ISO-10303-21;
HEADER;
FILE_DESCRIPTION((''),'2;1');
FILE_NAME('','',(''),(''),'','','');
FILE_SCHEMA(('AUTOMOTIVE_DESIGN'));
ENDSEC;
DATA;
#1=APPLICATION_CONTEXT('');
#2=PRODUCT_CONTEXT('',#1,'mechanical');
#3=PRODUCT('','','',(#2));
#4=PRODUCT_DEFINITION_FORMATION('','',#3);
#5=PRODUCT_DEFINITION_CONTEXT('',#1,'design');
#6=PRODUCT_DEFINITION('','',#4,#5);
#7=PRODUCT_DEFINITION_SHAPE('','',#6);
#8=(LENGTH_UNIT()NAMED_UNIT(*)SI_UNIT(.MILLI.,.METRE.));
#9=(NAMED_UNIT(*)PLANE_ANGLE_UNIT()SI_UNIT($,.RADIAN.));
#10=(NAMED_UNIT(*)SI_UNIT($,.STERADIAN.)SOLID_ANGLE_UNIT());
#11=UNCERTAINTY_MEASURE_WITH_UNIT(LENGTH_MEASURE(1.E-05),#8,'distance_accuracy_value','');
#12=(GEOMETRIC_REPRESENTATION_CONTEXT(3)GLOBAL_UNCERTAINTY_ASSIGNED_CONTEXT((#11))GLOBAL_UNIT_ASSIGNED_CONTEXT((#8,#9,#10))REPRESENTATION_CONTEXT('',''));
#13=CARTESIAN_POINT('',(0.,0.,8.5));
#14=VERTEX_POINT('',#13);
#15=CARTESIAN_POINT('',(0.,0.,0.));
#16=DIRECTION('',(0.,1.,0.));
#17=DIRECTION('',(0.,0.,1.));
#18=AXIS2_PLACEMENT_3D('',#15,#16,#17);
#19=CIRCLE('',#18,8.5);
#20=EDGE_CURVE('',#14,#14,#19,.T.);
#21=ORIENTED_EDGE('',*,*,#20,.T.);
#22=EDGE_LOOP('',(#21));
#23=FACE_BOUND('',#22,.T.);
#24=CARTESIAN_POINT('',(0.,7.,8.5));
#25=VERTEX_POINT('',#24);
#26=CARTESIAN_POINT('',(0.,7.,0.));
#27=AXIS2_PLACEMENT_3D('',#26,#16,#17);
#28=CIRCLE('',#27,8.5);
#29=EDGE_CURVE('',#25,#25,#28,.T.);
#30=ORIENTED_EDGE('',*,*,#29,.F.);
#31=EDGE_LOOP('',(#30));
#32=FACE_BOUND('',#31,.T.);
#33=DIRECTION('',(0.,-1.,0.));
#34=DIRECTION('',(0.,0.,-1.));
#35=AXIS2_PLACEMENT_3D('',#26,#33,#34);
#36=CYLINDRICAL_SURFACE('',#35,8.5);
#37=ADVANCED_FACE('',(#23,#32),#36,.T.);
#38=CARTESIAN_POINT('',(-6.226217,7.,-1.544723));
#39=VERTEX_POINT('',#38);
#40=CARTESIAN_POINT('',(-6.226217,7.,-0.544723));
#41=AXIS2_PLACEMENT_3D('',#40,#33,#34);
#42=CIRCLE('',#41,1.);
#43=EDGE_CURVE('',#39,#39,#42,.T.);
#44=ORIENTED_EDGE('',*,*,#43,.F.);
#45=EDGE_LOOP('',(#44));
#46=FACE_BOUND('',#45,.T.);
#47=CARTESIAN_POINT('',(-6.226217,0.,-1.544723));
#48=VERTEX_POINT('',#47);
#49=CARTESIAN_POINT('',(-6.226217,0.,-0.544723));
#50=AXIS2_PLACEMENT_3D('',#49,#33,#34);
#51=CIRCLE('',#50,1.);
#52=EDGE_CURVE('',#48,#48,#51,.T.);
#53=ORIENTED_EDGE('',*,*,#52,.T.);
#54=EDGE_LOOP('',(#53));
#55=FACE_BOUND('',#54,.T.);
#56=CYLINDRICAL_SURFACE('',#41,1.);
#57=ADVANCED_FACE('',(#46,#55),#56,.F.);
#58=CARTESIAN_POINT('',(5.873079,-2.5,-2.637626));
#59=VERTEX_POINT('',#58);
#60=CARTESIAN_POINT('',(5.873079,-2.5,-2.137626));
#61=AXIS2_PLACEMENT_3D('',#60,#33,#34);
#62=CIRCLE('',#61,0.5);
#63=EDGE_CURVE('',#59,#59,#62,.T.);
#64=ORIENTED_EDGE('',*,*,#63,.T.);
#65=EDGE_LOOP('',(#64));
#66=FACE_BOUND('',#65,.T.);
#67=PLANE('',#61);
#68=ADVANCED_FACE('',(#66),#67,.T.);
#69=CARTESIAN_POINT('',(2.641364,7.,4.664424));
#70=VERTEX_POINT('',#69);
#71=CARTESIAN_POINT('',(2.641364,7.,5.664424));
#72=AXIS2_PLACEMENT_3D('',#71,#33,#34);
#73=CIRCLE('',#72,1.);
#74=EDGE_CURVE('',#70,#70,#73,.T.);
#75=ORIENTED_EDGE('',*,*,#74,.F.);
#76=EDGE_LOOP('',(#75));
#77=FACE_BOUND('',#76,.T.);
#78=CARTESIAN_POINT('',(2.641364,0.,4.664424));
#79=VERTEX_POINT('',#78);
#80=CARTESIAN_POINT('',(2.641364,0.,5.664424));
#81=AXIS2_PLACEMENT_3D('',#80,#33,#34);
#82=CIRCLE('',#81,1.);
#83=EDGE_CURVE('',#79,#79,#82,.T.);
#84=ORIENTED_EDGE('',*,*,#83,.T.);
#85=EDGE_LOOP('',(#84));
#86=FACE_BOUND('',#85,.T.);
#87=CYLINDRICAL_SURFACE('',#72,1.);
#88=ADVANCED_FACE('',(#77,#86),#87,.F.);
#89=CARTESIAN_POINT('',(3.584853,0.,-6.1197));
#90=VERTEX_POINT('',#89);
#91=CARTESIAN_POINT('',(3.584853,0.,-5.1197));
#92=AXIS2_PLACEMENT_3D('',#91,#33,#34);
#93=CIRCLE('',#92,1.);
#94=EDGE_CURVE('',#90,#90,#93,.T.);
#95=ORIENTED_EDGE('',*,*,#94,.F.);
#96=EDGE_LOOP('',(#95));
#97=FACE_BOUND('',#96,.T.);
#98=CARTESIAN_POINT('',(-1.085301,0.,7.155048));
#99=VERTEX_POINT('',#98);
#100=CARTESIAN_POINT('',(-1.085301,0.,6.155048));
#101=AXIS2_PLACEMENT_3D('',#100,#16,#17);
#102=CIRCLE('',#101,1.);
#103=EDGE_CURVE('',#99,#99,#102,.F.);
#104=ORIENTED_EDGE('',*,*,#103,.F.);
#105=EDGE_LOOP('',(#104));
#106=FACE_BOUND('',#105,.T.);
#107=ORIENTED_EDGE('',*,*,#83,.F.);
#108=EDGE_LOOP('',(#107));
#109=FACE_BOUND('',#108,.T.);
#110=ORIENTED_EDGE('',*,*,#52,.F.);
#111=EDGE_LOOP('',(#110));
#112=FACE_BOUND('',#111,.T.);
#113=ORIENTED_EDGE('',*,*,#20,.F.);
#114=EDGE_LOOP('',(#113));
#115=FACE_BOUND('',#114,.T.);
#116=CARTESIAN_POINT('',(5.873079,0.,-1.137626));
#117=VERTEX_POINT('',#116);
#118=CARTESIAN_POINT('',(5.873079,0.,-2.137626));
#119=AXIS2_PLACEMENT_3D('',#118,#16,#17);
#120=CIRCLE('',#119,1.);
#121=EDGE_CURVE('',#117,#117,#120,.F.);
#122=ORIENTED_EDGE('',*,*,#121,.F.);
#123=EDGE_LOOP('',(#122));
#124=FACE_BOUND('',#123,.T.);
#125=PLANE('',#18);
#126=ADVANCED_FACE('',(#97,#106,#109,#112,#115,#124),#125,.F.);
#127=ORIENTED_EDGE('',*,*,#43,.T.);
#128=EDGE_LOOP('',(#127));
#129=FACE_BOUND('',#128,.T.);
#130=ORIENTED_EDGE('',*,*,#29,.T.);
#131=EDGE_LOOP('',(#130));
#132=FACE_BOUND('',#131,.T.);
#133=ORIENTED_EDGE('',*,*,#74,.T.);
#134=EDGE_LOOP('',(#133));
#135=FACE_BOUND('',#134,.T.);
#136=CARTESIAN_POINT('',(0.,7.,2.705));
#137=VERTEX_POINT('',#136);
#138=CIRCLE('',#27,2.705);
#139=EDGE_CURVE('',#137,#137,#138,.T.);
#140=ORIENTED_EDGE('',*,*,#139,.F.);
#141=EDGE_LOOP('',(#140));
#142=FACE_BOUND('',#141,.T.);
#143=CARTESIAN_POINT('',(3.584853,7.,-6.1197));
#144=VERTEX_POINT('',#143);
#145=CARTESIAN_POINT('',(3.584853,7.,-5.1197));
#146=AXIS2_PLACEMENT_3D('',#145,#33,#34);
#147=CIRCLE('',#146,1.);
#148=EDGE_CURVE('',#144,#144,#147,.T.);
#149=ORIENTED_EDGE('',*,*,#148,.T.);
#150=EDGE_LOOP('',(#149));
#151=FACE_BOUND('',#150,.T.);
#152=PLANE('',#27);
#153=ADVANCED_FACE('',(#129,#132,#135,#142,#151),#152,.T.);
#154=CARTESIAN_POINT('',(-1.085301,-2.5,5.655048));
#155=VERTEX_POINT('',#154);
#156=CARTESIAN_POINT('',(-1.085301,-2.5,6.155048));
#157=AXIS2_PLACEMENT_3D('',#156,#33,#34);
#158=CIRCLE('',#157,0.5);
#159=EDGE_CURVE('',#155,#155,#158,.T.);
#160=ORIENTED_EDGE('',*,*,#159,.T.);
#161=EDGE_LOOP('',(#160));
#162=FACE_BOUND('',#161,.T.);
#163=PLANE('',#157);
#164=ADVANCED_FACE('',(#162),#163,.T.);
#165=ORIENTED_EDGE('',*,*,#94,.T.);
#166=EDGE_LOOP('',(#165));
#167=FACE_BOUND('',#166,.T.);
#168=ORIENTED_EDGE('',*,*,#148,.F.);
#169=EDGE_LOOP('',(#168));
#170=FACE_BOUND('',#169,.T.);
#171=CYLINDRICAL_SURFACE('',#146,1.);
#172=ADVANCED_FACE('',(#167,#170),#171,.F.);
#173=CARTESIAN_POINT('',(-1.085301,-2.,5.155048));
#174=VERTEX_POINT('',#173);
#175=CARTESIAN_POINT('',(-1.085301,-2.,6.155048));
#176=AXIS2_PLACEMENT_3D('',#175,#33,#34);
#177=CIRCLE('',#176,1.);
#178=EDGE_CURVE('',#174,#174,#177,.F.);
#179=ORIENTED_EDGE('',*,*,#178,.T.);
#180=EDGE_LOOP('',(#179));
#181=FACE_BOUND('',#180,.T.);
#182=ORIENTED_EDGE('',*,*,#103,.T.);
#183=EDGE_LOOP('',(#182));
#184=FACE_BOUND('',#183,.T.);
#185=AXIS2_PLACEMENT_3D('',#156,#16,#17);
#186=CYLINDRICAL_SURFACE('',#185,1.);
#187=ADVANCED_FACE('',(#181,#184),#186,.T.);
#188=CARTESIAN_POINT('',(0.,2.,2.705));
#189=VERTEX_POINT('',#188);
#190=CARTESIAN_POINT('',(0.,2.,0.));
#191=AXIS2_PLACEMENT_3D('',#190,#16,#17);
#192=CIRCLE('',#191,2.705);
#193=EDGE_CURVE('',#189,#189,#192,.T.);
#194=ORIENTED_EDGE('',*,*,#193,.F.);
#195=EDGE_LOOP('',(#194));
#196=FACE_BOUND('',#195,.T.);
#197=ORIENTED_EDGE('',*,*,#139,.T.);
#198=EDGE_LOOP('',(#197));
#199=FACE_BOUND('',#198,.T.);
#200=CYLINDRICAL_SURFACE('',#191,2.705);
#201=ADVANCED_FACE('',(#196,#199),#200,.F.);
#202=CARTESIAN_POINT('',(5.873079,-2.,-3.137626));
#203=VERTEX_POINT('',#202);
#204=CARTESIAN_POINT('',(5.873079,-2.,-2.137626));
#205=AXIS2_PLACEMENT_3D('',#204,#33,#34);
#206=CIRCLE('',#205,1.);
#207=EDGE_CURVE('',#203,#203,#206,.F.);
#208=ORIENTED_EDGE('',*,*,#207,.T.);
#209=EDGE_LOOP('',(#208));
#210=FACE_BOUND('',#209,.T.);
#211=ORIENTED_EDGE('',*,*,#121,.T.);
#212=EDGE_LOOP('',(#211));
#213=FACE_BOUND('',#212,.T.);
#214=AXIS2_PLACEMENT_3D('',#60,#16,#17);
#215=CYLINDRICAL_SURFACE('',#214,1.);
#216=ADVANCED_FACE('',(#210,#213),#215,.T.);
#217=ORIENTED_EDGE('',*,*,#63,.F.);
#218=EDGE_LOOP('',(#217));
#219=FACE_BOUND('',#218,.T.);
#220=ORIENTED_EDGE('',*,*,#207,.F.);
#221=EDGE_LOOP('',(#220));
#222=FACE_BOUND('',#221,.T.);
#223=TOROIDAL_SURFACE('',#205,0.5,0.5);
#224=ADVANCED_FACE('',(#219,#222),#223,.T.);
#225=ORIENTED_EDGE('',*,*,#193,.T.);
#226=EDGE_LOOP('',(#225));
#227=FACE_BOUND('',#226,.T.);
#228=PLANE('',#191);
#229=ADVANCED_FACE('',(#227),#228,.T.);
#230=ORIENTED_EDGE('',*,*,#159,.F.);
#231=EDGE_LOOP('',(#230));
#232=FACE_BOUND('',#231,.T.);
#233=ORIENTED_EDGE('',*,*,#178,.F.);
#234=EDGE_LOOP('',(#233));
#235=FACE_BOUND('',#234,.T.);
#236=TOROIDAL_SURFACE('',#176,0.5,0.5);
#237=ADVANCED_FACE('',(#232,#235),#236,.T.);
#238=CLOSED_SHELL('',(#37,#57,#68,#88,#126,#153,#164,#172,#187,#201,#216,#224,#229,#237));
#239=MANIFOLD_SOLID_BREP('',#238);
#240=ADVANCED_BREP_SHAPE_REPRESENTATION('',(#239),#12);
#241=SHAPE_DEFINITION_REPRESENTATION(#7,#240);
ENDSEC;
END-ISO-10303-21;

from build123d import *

# Parameters (mm, degrees)
SKETCH1_R           = 8.5
CYLINDER_DEPTH      = 7
SKETCH2_R           = 2.705
LUER_HOLE_DEPTH     = 5
SKETCH3_R           = 1
DOWEL_PINS_DEPTH    = 2.5
SKETCH4_R           = 1
SCREW_HOLES_DEPTH   = 14.910427743
FILLET_DOWEL_PINS_R = 0.5


with BuildPart() as part:
    # Sketch1 → Cylinder (new body)
    with BuildSketch(Plane(origin=(0, 0, 0), x_dir=(1, 0, 0), z_dir=(0, 1, 0))):
        with Locations(Location((0, 0, 0), (0, 0, 270))):
            Circle(SKETCH1_R)
    extrude(amount=CYLINDER_DEPTH)

    # Sketch2 → Luer Hole (cut)
    with BuildSketch(Plane(origin=(0, 7, 0), x_dir=(1, 0, 0), z_dir=(0, 1, 0))):
        with Locations(Location((0, 0, 0), (0, 0, 270))):
            Circle(SKETCH2_R)
    extrude(amount=-LUER_HOLE_DEPTH, mode=Mode.SUBTRACT)

    # Sketch3 → Dowel Pins (add)
    with BuildSketch(Plane.XZ):
        with Locations(Location((-1.08530111, 6.155048456, 0), (0, 0, 90))):
            Circle(SKETCH3_R)
        with Locations(Location((5.87307888, -2.137625896, 0), (0, 0, 90))):
            Circle(SKETCH3_R)
    extrude(amount=DOWEL_PINS_DEPTH)

    # Sketch4 → Screw Holes (cut, through all)
    with BuildSketch(Plane.XZ):
        with Locations(Location((-6.226216863, -0.544723392, 0), (0, 0, 270))):
            Circle(SKETCH4_R)
        with Locations(Location((2.641364136, 5.664423669, 0), (0, 0, 270))):
            Circle(SKETCH4_R)
        with Locations(Location((3.584852727, -5.119700277, 0), (0, 0, 270))):
            Circle(SKETCH4_R)
    extrude(amount=-SCREW_HOLES_DEPTH, mode=Mode.SUBTRACT)

    # Fillet Dowel Pins
    fillet_dowel_pins_edges = [part.edges().sort_by_distance(p)[0] for p in [
        (-1.08530111, -2.5, 5.155048456),
        (5.87307888, -2.5, -3.137625896),
    ]]
    fillet(fillet_dowel_pins_edges, radius=FILLET_DOWEL_PINS_R)


solid = part.part
